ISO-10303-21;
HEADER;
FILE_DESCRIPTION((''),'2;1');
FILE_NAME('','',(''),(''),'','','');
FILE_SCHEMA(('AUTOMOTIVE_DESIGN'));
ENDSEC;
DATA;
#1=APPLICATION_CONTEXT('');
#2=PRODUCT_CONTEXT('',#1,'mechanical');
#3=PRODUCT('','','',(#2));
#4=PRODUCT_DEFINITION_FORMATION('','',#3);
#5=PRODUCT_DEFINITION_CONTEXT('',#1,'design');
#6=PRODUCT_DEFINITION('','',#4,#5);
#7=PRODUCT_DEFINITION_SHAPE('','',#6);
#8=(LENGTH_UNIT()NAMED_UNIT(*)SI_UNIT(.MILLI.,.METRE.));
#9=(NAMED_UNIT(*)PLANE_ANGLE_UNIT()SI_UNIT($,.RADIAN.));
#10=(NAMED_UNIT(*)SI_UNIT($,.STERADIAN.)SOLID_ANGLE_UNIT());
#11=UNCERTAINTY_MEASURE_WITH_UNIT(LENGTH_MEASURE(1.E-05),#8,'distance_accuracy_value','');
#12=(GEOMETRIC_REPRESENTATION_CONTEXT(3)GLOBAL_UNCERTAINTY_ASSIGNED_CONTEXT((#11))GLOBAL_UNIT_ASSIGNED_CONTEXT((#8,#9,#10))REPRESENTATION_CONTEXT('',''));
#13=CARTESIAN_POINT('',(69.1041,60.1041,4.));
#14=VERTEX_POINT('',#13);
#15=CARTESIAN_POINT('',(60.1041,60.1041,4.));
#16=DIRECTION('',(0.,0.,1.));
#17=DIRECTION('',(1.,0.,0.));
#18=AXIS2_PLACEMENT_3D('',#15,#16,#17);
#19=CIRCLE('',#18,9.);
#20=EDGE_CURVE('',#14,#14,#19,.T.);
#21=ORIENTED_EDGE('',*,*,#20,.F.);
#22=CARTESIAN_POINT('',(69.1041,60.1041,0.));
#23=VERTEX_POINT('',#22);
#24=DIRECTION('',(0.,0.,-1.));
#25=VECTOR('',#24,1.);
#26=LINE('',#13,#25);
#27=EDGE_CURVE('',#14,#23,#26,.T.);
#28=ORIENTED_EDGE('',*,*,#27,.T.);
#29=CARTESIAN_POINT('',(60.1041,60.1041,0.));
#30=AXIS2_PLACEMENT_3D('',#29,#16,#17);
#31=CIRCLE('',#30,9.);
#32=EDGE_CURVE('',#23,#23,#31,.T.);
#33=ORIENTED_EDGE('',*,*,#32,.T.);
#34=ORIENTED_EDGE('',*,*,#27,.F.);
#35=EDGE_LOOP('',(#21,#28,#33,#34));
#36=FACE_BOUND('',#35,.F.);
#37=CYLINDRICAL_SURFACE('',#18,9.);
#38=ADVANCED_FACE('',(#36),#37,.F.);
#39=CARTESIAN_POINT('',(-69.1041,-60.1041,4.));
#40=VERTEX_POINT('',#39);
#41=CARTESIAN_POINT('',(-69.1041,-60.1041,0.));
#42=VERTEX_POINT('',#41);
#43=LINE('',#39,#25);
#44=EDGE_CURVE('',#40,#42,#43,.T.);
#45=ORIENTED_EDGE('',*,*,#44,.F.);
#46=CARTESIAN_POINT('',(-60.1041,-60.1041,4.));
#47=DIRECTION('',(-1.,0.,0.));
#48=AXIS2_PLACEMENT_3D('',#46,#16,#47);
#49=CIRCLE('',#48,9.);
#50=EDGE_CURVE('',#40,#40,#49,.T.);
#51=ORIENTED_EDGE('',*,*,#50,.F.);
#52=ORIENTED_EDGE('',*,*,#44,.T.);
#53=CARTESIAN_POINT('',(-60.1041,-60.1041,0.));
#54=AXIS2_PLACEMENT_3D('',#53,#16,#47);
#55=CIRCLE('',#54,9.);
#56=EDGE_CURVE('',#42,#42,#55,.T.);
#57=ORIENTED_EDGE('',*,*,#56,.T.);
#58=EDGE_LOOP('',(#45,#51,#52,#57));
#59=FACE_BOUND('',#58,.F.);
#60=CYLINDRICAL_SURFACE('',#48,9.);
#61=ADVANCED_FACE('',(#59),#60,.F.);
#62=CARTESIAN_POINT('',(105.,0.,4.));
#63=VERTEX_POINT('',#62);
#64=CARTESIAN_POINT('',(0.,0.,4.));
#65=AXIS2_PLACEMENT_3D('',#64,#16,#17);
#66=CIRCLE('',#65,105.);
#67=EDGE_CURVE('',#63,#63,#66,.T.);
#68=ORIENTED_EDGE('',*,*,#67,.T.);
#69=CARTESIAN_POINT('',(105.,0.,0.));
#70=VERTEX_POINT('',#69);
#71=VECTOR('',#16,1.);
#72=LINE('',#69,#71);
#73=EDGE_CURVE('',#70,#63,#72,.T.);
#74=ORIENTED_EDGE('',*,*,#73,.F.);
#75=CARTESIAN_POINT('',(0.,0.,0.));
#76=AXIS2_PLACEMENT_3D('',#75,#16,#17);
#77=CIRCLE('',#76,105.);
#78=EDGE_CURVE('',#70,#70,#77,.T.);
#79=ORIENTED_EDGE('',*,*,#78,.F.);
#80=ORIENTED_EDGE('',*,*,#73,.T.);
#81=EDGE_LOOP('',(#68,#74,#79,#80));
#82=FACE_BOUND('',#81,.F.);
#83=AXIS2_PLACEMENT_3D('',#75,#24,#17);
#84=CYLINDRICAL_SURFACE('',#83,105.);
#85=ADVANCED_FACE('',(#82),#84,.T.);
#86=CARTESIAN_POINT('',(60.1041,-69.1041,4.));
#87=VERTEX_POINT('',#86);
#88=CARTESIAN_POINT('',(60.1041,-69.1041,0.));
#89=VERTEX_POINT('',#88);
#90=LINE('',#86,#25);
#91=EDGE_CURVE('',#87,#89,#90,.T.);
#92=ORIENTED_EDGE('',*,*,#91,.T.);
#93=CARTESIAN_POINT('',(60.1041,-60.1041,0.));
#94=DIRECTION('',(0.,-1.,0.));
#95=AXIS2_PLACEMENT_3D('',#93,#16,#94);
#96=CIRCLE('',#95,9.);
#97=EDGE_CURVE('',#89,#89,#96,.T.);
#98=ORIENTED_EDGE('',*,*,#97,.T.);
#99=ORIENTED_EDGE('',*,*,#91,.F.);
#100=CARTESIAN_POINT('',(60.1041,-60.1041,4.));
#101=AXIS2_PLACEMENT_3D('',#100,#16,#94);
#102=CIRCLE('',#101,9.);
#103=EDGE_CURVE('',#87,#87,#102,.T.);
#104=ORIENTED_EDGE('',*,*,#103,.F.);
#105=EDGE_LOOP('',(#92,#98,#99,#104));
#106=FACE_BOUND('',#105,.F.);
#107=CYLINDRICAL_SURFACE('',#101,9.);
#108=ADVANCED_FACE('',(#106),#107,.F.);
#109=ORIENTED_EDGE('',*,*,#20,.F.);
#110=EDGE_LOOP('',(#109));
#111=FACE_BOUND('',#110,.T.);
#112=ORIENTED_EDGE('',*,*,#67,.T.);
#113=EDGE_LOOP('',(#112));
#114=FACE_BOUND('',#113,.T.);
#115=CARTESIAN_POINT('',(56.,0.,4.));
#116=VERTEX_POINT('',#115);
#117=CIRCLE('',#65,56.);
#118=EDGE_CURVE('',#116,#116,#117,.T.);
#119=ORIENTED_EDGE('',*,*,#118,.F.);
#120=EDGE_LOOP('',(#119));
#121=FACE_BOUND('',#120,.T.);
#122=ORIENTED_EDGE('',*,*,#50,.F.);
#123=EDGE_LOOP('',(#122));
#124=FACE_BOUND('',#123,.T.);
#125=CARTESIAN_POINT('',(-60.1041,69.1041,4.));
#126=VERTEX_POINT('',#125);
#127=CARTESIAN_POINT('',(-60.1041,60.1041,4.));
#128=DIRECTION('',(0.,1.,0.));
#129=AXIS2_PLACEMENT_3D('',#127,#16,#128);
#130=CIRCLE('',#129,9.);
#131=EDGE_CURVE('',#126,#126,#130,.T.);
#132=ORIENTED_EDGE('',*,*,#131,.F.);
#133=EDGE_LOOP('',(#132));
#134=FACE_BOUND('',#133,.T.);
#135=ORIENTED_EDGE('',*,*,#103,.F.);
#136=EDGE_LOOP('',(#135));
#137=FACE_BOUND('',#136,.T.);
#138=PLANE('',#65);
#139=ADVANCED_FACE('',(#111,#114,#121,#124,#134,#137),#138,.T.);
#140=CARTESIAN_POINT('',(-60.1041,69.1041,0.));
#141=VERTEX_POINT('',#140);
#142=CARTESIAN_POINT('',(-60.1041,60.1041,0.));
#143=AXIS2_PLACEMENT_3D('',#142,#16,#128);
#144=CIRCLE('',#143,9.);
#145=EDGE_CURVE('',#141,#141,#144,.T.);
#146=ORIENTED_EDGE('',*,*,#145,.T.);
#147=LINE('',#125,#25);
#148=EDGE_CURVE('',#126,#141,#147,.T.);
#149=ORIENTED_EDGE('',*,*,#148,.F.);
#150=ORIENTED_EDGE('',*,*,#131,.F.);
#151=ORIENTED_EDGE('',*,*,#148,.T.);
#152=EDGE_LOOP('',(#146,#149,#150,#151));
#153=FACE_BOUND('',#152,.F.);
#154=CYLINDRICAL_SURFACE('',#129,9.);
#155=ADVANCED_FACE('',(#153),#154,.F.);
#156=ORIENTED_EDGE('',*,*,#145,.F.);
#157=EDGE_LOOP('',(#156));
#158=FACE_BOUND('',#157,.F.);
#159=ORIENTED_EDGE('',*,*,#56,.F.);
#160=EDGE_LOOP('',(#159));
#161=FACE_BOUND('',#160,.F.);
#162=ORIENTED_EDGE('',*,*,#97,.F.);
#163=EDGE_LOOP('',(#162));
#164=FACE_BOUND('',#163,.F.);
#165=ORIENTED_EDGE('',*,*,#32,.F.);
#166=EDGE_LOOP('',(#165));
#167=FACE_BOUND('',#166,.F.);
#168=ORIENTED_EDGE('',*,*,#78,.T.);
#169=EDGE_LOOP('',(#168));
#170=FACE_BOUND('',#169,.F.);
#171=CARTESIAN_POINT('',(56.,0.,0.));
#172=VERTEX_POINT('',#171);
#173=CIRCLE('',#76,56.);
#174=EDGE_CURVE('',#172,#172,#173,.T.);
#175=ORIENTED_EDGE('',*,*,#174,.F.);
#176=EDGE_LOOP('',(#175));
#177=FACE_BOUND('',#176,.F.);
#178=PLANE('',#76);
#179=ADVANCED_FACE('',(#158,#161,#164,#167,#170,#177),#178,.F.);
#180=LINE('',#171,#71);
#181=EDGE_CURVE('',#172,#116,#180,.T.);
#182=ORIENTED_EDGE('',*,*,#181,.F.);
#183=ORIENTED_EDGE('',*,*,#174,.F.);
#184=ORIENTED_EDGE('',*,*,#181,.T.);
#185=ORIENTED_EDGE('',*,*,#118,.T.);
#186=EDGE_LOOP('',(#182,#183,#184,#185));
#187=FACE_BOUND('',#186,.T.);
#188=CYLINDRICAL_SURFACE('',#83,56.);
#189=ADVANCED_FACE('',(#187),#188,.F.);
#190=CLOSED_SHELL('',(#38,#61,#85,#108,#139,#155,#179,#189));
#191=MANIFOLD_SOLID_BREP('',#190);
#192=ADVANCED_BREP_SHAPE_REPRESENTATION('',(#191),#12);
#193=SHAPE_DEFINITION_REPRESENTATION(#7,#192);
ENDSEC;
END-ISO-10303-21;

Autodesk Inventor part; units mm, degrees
ref_plane "YZ Plane" through (0, 0, 0) normal (1, 0, 0) x (0, 1, 0)
ref_plane "XZ Plane" through (0, 0, 0) normal (0, 1, 0) x (-1, 0, 0)
ref_plane "XY Plane" through (0, 0, 0) normal (0, 0, 1) x (1, 0, 0)
sketch "Sketch1" plane through (0, 0, 0) normal (0, 0, 1) x (1, 0, 0)
  circle A0 centre (0, 0) radius 56
  circle A1 centre (0, 0) radius 105
  dimension "d22" = 112
  dimension "d23" = 210
extrude "Plate1" add sketch "Sketch1" along normal blind 4
sketch "Sketch5" plane through (0, 0, 4) normal (0, 0, 1) x (1, 0, 0)
  circle A0 centre (60.1041, 60.1041) radius 9
  circle A1 centre (0, 0) radius 85 construction
  line L0 (60.1041, 60.1041) -> (0, 0) construction
  line L1 (0, 0) -> (0, 85) construction
  dimension "d24" = 18
  dimension "d25" = 170
  dimension "d31" = 45
extrude "Cut1" cut sketch "Sketch5" against normal blind 4
pattern_circular "Circular Pattern1" count 4 over 360 about axis through (0, 0, 0) along (0, 0, 1) of "Cut1"
equation "\"d22\" = Flange_Tube_diam"
equation "\"d23\" = Flange_D_outer"
equation "\"d24\" = Flange_d_hole_diam"
equation "\"d25\" = Flange_D1_hole_center"
equation "\"d26\" = Thickness"
equation "\"d2\" = Thickness"
equation "\"BendReliefWidth\" = Thickness"
equation "\"BendReliefDepth\" = 0.5 * Thickness"
equation "\"CornerReliefSize\" = 4 * Thickness"
equation "\"MinimumRemnant\" = 2 * Thickness"
equation "\"TransitionRadius\" = BendRadius"
equation "\"JacobiRadiusSize\" = BendRadius"
equation "\"GapSize\" = Thickness"
equation "\"Flange_D_outer\" = 210"
equation "\"Flange_D1_hole_center\" = 170"
equation "\"Flange_d_hole_diam\" = 18"
equation "\"Flange_Tube_diam\" = 112"
equation "\"Thickness\" = 4"
equation "\"BendRadius\" = 6"
properties part number "drain flange" material "Stainless Steel"
